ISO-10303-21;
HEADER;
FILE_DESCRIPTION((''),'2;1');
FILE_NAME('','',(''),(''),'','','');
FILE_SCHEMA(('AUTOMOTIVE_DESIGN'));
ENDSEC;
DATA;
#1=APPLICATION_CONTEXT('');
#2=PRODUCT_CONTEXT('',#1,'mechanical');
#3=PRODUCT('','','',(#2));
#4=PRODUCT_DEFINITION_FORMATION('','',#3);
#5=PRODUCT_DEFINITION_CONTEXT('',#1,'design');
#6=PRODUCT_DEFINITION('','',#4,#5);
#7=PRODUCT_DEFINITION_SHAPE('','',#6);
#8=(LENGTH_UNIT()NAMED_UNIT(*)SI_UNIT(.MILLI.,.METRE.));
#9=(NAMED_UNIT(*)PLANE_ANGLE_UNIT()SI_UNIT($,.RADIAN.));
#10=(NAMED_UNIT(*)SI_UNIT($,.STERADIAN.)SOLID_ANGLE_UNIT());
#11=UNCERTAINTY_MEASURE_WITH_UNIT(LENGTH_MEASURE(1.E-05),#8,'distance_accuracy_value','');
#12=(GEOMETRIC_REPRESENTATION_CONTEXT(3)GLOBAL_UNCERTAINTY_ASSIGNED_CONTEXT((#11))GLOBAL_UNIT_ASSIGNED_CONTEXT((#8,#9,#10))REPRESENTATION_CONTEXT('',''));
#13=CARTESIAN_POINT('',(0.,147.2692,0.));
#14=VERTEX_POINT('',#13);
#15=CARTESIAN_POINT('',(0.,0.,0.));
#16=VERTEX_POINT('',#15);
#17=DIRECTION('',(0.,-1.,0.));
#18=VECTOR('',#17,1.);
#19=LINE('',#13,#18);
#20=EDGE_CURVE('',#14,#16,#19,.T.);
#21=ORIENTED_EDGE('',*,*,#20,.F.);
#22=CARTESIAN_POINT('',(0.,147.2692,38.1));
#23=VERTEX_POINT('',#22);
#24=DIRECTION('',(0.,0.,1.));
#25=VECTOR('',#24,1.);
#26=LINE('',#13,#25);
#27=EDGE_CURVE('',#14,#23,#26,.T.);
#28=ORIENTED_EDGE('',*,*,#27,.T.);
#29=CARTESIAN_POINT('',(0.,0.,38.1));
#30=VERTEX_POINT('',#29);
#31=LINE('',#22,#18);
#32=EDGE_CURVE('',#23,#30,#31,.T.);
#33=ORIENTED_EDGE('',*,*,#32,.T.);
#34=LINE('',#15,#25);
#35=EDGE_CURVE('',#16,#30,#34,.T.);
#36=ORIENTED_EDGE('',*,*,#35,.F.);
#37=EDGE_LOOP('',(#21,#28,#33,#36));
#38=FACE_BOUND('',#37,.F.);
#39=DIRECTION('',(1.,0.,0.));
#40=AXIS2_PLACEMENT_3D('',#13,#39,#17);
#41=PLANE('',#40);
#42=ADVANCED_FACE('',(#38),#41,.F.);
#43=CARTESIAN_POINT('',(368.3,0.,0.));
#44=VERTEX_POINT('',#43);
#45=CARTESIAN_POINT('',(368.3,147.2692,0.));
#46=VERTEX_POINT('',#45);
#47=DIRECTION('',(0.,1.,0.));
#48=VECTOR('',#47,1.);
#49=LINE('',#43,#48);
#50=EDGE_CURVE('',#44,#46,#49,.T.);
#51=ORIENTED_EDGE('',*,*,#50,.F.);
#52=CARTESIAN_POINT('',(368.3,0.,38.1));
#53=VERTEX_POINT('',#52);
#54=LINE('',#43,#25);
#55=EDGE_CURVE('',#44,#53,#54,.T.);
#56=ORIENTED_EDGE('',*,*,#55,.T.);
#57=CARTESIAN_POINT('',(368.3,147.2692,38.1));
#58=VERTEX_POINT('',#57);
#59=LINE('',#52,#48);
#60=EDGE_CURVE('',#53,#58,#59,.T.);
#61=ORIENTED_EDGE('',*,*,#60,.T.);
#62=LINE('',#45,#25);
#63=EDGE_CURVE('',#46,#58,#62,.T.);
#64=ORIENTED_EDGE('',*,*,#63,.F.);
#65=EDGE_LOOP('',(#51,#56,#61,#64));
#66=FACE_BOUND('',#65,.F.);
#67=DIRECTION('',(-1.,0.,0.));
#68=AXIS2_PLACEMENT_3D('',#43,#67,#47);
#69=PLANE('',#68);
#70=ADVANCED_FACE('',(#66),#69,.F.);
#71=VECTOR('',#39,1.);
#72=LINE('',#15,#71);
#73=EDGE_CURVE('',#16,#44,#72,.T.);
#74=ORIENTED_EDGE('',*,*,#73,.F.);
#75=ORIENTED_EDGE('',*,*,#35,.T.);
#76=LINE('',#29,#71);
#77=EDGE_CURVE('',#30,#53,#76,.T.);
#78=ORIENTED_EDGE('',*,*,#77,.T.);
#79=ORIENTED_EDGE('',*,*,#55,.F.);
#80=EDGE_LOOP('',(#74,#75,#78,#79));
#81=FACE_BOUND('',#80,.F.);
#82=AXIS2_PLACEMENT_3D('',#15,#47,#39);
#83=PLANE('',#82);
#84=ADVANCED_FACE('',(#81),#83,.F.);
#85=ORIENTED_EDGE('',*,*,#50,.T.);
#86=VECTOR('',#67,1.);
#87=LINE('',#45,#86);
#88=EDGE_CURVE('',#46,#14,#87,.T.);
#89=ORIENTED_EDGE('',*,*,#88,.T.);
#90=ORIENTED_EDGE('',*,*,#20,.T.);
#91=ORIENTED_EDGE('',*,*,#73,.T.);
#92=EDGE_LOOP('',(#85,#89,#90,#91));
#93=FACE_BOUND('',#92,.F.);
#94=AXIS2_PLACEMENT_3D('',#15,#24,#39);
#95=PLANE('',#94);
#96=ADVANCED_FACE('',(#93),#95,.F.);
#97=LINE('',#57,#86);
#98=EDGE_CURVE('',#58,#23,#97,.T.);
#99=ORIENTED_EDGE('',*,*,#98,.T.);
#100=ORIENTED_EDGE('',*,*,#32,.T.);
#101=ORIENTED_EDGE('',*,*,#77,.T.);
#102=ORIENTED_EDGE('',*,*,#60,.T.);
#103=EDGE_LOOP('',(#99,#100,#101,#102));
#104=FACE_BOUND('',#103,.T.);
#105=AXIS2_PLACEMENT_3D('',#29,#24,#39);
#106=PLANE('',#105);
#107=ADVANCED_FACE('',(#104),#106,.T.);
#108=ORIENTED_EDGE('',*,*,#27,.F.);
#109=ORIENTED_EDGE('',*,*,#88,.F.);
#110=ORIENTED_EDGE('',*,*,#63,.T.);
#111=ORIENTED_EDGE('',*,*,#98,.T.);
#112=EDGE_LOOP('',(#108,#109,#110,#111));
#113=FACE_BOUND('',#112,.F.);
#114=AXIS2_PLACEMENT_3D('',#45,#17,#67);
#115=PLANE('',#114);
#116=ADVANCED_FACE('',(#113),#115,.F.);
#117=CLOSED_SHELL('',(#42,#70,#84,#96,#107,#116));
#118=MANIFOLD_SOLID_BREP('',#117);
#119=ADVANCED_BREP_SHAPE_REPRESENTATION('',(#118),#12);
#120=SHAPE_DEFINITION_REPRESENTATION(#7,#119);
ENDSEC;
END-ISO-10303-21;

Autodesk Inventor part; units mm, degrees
ref_plane "YZ Plane" through (0, 0, 0) normal (1, 0, 0) x (0, 1, 0)
ref_plane "XZ Plane" through (0, 0, 0) normal (0, 1, 0) x (-1, 0, 0)
ref_plane "XY Plane" through (0, 0, 0) normal (0, 0, 1) x (1, 0, 0)
sketch "Sketch1" plane through (0, 0, 0) normal (0, 0, 1) x (1, 0, 0)
  line L0 (0, 0) -> (368.3, 0)
  line L1 (368.3, 0) -> (368.3, 147.2692)
  line L2 (368.3, 147.2692) -> (0, 147.2692)
  line L3 (0, 147.2692) -> (0, 0)
  dimension "d2" = 147.2692
  dimension "d3" = 368.3
extrude "Extrusion1" add sketch "Sketch1" along normal blind 38.1
properties part number "Subfascia_With_Dimensions_5.798_x_14.5_Inches" material "Wood (Birch)"
